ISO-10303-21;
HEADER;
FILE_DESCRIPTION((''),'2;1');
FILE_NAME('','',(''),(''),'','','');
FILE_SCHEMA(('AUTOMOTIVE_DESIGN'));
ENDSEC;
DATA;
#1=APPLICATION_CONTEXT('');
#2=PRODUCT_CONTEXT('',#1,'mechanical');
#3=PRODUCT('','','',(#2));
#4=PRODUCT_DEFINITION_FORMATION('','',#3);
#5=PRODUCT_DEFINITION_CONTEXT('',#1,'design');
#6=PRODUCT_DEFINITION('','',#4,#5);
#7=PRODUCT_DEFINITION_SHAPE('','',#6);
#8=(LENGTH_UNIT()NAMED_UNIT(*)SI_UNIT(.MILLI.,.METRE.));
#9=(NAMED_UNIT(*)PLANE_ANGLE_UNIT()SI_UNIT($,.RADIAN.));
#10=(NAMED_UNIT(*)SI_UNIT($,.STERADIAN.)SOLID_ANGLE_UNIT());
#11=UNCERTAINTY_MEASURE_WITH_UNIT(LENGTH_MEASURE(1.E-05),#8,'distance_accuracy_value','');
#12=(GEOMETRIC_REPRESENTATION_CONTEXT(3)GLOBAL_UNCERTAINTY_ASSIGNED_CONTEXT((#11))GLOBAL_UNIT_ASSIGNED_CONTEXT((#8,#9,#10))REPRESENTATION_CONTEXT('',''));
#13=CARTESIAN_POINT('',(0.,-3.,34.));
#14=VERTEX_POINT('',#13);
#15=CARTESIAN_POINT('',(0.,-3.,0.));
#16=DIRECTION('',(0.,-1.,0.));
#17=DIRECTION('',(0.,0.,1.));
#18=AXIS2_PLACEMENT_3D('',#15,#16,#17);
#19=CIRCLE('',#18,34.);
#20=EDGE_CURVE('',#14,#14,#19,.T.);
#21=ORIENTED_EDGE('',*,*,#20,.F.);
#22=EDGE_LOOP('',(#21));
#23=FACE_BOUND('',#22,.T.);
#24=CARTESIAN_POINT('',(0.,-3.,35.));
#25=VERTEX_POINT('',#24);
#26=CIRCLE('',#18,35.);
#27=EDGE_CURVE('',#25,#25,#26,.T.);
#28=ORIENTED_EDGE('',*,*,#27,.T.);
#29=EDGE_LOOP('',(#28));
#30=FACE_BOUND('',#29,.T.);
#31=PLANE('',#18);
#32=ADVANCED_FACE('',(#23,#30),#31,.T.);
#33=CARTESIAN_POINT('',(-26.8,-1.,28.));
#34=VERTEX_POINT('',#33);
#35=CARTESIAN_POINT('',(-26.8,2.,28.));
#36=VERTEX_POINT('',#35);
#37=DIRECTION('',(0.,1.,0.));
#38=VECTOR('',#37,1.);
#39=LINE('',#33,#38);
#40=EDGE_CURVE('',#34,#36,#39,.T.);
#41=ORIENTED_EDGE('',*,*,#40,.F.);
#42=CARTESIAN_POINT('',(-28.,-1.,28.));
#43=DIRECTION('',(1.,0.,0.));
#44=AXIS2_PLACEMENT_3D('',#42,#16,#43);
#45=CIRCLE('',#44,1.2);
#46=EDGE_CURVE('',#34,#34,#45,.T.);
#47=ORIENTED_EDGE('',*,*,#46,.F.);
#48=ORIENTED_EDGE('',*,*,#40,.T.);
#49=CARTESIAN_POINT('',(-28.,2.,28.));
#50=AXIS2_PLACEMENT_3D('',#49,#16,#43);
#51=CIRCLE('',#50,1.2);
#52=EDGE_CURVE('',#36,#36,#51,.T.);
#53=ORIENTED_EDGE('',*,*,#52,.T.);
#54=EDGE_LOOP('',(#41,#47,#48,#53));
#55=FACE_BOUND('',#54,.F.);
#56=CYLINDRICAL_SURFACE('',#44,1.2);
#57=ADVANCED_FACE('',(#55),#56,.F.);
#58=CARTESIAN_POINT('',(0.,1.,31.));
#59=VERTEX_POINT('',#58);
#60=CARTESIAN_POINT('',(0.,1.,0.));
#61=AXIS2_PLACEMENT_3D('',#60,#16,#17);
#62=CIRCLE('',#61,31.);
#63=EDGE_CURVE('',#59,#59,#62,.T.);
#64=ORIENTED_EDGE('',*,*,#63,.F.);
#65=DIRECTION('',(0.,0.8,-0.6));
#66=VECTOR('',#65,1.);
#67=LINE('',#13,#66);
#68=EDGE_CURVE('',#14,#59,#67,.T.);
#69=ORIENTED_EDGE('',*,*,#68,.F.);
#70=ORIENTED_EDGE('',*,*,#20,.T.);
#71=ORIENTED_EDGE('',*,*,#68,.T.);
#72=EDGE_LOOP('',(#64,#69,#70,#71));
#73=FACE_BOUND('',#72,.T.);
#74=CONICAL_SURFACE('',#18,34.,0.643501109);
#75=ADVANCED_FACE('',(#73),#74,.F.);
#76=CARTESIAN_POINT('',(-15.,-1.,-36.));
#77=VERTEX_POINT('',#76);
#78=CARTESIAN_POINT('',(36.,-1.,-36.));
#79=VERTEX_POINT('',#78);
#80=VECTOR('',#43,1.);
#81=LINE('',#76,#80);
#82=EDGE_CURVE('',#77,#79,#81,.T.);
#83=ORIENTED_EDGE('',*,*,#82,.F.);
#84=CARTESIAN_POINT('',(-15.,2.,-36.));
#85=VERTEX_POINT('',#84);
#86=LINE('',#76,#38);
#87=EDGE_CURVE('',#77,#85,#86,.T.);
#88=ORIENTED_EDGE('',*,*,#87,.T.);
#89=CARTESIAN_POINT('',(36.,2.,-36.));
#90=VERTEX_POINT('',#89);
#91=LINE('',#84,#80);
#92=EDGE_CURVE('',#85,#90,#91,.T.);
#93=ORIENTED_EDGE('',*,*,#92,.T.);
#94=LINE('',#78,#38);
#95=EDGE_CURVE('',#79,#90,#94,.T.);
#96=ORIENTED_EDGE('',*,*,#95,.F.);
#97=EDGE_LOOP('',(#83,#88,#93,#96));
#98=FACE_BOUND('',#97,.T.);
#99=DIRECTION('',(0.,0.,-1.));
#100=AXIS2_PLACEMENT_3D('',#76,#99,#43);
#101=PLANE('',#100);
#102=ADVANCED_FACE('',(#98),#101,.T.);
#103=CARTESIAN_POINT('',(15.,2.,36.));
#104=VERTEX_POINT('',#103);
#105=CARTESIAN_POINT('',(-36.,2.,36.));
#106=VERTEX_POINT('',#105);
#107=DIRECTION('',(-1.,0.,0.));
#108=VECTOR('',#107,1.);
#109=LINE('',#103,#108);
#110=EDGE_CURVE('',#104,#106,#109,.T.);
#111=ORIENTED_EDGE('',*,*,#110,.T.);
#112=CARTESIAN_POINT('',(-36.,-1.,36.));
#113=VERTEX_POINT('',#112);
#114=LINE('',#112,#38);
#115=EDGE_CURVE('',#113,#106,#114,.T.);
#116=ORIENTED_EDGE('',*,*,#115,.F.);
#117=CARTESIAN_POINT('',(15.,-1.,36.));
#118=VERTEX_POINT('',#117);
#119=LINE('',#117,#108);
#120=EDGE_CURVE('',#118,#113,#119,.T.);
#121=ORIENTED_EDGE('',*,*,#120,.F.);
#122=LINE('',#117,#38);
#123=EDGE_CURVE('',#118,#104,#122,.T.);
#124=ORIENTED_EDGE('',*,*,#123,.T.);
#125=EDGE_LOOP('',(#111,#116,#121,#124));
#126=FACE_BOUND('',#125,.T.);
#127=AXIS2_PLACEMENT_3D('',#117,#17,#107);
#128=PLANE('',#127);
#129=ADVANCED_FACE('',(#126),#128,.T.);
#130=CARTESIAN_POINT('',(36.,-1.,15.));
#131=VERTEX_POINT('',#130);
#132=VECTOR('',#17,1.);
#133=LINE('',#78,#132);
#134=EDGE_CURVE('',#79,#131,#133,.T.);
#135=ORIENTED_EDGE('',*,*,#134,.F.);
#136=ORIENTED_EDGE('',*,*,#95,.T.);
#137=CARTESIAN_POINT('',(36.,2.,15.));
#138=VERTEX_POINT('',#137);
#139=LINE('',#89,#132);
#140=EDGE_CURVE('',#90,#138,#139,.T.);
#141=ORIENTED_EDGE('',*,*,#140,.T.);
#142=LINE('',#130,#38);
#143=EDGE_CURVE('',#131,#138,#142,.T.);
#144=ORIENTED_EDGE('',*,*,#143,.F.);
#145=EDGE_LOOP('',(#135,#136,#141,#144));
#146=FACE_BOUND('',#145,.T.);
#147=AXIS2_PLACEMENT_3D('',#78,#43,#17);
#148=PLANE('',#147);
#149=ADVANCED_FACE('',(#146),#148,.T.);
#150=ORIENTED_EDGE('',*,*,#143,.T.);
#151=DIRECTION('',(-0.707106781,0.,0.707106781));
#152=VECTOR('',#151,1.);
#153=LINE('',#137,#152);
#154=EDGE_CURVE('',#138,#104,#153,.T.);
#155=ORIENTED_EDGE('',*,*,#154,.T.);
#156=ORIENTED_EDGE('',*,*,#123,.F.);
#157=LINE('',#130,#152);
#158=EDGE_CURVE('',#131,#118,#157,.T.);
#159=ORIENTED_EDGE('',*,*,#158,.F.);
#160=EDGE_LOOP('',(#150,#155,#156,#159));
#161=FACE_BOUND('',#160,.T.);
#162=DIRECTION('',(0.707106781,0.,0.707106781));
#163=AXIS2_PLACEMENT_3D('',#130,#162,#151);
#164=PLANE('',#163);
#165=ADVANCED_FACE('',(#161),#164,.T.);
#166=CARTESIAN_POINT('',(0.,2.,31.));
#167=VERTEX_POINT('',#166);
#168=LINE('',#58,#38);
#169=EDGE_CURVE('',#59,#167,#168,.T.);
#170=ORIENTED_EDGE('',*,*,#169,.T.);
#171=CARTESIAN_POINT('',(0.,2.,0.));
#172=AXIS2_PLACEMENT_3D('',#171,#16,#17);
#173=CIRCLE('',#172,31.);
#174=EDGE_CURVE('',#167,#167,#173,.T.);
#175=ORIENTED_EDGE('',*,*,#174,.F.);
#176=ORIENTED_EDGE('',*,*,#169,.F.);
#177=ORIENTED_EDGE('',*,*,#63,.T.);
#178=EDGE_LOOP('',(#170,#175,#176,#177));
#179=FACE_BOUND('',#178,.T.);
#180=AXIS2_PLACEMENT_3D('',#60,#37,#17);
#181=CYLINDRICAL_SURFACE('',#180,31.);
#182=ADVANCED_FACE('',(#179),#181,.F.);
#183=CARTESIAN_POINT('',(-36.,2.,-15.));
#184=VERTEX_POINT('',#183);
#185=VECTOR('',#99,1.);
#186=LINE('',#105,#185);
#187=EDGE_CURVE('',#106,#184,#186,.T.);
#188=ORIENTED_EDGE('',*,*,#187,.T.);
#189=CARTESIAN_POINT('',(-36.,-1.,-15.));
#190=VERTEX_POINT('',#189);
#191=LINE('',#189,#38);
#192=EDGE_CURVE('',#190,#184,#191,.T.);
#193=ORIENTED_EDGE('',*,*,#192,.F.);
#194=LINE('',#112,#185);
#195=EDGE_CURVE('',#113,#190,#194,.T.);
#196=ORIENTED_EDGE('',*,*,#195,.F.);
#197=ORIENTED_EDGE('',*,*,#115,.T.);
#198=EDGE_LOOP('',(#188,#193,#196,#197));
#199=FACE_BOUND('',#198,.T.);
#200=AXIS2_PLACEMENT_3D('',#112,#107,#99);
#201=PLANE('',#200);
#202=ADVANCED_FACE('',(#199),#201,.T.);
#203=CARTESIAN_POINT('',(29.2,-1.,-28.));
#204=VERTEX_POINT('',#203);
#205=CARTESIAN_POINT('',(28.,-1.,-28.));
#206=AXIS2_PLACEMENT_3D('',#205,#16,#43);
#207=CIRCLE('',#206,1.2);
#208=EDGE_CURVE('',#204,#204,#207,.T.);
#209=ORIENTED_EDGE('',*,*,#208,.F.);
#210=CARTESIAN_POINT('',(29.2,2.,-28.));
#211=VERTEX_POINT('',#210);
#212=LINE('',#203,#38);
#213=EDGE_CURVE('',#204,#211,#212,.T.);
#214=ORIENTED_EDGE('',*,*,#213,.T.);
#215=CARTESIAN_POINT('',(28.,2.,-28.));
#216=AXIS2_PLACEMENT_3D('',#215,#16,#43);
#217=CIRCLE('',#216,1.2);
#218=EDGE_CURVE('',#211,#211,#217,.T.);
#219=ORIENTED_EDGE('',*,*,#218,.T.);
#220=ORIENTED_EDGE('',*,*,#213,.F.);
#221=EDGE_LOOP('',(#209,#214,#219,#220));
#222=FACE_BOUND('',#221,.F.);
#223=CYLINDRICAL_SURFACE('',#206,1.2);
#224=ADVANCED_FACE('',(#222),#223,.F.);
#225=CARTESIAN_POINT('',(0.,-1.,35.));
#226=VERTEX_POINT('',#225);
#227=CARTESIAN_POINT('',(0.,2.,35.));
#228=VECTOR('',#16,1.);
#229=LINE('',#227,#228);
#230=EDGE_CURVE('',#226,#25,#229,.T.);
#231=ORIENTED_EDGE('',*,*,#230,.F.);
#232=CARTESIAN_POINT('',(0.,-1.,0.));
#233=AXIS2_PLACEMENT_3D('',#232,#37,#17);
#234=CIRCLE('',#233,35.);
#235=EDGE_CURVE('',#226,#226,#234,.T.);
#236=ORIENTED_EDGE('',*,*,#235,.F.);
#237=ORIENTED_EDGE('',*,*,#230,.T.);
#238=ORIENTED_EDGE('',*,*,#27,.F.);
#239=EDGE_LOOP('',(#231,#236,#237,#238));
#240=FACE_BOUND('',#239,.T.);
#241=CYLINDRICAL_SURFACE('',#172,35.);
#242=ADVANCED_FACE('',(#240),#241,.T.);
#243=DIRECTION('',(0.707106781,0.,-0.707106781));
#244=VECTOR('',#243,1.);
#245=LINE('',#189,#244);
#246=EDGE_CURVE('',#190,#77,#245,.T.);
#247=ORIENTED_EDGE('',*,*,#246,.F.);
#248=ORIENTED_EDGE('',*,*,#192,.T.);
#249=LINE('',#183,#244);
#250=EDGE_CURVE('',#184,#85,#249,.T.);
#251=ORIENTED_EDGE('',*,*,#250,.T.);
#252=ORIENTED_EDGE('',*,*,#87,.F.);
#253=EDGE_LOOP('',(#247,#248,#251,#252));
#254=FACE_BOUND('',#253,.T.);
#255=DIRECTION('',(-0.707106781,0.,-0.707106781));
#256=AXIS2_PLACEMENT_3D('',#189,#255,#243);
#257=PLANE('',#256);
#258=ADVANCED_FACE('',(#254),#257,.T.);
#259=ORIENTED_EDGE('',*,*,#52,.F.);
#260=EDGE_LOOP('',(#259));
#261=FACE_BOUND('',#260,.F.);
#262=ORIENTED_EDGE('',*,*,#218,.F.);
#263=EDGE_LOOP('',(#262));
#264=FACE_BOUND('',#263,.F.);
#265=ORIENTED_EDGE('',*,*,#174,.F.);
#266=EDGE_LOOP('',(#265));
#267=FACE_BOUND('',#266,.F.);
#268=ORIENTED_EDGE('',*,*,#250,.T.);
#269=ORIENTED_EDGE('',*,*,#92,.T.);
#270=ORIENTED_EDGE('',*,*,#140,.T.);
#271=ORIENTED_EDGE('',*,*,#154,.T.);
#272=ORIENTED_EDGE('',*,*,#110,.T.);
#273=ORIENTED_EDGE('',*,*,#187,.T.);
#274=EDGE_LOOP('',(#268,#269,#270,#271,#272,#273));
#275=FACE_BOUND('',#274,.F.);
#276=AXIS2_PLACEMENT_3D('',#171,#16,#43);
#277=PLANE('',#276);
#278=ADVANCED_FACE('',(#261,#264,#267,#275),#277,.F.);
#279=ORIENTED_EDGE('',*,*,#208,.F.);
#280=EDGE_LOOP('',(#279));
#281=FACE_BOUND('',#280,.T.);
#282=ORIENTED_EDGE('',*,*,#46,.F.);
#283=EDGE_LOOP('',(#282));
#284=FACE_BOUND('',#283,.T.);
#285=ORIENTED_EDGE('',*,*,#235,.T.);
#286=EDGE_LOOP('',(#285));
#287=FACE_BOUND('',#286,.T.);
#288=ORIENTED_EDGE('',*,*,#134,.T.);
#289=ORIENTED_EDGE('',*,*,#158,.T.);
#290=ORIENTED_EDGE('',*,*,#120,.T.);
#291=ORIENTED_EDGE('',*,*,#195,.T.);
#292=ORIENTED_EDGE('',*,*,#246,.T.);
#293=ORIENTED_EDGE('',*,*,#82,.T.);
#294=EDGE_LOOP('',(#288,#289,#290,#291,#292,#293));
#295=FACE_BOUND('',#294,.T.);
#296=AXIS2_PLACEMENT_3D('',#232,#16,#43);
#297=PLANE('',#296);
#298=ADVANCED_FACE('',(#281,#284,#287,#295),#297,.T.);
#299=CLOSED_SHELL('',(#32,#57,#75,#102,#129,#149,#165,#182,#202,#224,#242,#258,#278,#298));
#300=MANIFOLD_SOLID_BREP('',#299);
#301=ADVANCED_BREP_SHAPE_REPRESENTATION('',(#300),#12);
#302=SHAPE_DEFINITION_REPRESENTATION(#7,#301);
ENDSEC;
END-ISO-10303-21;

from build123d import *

# Parameters (mm, degrees)
F3_R     = 1.2
F3_R_2   = 35
F4_DEPTH = 3


with BuildPart() as f1:
    # F0 (on Right) → F1 (revolve)
    with BuildSketch(Plane.YZ):
        Polygon((2, 35), (-3, 35), (-3, 34), (1, 31), (2, 31), align=None)
    revolve(axis=Axis((0, 1.602868, 0), (0, -1, 0)))

    # F3 (on offset) → F4 (join)
    with BuildSketch(Plane.XZ.offset(1)):
        Polygon((-15, -36), (36, -36), (36, 15), (15, 36), (-36, 36), (-36, -15), align=None)
        with Locations((28, -28)):
            Circle(F3_R, mode=Mode.SUBTRACT)
        with Locations((-28, 28)):
            Circle(F3_R, mode=Mode.SUBTRACT)
        Circle(F3_R_2, mode=Mode.SUBTRACT)
    extrude(amount=-F4_DEPTH)


solid = f1.part
